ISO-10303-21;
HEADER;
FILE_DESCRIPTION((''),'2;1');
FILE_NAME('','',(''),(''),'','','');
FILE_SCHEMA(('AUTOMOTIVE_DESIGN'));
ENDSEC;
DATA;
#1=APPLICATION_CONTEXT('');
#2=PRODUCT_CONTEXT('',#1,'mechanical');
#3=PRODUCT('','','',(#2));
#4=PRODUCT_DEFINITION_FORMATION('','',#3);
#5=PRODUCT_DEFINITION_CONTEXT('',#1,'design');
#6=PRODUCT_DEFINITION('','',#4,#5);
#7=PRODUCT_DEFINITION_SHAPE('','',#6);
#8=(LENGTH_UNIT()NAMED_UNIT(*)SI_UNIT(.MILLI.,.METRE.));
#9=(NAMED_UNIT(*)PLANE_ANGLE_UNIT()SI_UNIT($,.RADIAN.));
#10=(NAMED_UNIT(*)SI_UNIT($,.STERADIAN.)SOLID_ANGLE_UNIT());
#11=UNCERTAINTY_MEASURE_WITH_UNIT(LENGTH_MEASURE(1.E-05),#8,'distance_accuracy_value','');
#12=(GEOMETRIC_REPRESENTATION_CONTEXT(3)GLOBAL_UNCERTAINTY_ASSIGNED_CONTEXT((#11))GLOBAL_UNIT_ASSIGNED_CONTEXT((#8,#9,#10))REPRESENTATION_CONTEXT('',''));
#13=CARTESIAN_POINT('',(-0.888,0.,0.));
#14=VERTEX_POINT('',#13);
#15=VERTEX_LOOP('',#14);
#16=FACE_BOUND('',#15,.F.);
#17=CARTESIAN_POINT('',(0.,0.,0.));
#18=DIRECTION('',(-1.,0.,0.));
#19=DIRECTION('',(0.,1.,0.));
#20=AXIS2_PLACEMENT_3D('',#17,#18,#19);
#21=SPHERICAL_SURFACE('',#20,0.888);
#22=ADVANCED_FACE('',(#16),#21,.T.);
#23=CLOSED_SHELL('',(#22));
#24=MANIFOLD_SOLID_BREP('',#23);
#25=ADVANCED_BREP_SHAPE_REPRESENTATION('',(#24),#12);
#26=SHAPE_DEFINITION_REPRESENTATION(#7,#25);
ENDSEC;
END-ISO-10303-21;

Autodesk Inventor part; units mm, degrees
sketch "Sketch_1" plane through (0, 0, 0) normal (0, 0, 1) x (1, 0, 0)
  line L0 (0.888, 0) -> (-0.888, 0)
  arc A0 (0.888, 0) -> (-0.888, 0) centre (0, 0) ccw
  line L1 (0.888, 0) -> (-0.888, 0)
revolve "Revolution1" add sketch "Sketch_1" angle 360 about axis through (0.888, 0, 0) along (1, 0, 0)
ref_plane "mss_ball_XY" through (0, 0, 0) normal (1, 0, 0) x (0, 0, -1)
ref_plane "mss_ball_YZ" through (0, 0, 0) normal (0, 0, -1) x (0, 1, 0)
ref_plane "mss_ball_ZX" through (0, 0, 0) normal (0, 1, 0) x (1, 0, 0)
properties part number "WBC6-12ZZ Ball"
